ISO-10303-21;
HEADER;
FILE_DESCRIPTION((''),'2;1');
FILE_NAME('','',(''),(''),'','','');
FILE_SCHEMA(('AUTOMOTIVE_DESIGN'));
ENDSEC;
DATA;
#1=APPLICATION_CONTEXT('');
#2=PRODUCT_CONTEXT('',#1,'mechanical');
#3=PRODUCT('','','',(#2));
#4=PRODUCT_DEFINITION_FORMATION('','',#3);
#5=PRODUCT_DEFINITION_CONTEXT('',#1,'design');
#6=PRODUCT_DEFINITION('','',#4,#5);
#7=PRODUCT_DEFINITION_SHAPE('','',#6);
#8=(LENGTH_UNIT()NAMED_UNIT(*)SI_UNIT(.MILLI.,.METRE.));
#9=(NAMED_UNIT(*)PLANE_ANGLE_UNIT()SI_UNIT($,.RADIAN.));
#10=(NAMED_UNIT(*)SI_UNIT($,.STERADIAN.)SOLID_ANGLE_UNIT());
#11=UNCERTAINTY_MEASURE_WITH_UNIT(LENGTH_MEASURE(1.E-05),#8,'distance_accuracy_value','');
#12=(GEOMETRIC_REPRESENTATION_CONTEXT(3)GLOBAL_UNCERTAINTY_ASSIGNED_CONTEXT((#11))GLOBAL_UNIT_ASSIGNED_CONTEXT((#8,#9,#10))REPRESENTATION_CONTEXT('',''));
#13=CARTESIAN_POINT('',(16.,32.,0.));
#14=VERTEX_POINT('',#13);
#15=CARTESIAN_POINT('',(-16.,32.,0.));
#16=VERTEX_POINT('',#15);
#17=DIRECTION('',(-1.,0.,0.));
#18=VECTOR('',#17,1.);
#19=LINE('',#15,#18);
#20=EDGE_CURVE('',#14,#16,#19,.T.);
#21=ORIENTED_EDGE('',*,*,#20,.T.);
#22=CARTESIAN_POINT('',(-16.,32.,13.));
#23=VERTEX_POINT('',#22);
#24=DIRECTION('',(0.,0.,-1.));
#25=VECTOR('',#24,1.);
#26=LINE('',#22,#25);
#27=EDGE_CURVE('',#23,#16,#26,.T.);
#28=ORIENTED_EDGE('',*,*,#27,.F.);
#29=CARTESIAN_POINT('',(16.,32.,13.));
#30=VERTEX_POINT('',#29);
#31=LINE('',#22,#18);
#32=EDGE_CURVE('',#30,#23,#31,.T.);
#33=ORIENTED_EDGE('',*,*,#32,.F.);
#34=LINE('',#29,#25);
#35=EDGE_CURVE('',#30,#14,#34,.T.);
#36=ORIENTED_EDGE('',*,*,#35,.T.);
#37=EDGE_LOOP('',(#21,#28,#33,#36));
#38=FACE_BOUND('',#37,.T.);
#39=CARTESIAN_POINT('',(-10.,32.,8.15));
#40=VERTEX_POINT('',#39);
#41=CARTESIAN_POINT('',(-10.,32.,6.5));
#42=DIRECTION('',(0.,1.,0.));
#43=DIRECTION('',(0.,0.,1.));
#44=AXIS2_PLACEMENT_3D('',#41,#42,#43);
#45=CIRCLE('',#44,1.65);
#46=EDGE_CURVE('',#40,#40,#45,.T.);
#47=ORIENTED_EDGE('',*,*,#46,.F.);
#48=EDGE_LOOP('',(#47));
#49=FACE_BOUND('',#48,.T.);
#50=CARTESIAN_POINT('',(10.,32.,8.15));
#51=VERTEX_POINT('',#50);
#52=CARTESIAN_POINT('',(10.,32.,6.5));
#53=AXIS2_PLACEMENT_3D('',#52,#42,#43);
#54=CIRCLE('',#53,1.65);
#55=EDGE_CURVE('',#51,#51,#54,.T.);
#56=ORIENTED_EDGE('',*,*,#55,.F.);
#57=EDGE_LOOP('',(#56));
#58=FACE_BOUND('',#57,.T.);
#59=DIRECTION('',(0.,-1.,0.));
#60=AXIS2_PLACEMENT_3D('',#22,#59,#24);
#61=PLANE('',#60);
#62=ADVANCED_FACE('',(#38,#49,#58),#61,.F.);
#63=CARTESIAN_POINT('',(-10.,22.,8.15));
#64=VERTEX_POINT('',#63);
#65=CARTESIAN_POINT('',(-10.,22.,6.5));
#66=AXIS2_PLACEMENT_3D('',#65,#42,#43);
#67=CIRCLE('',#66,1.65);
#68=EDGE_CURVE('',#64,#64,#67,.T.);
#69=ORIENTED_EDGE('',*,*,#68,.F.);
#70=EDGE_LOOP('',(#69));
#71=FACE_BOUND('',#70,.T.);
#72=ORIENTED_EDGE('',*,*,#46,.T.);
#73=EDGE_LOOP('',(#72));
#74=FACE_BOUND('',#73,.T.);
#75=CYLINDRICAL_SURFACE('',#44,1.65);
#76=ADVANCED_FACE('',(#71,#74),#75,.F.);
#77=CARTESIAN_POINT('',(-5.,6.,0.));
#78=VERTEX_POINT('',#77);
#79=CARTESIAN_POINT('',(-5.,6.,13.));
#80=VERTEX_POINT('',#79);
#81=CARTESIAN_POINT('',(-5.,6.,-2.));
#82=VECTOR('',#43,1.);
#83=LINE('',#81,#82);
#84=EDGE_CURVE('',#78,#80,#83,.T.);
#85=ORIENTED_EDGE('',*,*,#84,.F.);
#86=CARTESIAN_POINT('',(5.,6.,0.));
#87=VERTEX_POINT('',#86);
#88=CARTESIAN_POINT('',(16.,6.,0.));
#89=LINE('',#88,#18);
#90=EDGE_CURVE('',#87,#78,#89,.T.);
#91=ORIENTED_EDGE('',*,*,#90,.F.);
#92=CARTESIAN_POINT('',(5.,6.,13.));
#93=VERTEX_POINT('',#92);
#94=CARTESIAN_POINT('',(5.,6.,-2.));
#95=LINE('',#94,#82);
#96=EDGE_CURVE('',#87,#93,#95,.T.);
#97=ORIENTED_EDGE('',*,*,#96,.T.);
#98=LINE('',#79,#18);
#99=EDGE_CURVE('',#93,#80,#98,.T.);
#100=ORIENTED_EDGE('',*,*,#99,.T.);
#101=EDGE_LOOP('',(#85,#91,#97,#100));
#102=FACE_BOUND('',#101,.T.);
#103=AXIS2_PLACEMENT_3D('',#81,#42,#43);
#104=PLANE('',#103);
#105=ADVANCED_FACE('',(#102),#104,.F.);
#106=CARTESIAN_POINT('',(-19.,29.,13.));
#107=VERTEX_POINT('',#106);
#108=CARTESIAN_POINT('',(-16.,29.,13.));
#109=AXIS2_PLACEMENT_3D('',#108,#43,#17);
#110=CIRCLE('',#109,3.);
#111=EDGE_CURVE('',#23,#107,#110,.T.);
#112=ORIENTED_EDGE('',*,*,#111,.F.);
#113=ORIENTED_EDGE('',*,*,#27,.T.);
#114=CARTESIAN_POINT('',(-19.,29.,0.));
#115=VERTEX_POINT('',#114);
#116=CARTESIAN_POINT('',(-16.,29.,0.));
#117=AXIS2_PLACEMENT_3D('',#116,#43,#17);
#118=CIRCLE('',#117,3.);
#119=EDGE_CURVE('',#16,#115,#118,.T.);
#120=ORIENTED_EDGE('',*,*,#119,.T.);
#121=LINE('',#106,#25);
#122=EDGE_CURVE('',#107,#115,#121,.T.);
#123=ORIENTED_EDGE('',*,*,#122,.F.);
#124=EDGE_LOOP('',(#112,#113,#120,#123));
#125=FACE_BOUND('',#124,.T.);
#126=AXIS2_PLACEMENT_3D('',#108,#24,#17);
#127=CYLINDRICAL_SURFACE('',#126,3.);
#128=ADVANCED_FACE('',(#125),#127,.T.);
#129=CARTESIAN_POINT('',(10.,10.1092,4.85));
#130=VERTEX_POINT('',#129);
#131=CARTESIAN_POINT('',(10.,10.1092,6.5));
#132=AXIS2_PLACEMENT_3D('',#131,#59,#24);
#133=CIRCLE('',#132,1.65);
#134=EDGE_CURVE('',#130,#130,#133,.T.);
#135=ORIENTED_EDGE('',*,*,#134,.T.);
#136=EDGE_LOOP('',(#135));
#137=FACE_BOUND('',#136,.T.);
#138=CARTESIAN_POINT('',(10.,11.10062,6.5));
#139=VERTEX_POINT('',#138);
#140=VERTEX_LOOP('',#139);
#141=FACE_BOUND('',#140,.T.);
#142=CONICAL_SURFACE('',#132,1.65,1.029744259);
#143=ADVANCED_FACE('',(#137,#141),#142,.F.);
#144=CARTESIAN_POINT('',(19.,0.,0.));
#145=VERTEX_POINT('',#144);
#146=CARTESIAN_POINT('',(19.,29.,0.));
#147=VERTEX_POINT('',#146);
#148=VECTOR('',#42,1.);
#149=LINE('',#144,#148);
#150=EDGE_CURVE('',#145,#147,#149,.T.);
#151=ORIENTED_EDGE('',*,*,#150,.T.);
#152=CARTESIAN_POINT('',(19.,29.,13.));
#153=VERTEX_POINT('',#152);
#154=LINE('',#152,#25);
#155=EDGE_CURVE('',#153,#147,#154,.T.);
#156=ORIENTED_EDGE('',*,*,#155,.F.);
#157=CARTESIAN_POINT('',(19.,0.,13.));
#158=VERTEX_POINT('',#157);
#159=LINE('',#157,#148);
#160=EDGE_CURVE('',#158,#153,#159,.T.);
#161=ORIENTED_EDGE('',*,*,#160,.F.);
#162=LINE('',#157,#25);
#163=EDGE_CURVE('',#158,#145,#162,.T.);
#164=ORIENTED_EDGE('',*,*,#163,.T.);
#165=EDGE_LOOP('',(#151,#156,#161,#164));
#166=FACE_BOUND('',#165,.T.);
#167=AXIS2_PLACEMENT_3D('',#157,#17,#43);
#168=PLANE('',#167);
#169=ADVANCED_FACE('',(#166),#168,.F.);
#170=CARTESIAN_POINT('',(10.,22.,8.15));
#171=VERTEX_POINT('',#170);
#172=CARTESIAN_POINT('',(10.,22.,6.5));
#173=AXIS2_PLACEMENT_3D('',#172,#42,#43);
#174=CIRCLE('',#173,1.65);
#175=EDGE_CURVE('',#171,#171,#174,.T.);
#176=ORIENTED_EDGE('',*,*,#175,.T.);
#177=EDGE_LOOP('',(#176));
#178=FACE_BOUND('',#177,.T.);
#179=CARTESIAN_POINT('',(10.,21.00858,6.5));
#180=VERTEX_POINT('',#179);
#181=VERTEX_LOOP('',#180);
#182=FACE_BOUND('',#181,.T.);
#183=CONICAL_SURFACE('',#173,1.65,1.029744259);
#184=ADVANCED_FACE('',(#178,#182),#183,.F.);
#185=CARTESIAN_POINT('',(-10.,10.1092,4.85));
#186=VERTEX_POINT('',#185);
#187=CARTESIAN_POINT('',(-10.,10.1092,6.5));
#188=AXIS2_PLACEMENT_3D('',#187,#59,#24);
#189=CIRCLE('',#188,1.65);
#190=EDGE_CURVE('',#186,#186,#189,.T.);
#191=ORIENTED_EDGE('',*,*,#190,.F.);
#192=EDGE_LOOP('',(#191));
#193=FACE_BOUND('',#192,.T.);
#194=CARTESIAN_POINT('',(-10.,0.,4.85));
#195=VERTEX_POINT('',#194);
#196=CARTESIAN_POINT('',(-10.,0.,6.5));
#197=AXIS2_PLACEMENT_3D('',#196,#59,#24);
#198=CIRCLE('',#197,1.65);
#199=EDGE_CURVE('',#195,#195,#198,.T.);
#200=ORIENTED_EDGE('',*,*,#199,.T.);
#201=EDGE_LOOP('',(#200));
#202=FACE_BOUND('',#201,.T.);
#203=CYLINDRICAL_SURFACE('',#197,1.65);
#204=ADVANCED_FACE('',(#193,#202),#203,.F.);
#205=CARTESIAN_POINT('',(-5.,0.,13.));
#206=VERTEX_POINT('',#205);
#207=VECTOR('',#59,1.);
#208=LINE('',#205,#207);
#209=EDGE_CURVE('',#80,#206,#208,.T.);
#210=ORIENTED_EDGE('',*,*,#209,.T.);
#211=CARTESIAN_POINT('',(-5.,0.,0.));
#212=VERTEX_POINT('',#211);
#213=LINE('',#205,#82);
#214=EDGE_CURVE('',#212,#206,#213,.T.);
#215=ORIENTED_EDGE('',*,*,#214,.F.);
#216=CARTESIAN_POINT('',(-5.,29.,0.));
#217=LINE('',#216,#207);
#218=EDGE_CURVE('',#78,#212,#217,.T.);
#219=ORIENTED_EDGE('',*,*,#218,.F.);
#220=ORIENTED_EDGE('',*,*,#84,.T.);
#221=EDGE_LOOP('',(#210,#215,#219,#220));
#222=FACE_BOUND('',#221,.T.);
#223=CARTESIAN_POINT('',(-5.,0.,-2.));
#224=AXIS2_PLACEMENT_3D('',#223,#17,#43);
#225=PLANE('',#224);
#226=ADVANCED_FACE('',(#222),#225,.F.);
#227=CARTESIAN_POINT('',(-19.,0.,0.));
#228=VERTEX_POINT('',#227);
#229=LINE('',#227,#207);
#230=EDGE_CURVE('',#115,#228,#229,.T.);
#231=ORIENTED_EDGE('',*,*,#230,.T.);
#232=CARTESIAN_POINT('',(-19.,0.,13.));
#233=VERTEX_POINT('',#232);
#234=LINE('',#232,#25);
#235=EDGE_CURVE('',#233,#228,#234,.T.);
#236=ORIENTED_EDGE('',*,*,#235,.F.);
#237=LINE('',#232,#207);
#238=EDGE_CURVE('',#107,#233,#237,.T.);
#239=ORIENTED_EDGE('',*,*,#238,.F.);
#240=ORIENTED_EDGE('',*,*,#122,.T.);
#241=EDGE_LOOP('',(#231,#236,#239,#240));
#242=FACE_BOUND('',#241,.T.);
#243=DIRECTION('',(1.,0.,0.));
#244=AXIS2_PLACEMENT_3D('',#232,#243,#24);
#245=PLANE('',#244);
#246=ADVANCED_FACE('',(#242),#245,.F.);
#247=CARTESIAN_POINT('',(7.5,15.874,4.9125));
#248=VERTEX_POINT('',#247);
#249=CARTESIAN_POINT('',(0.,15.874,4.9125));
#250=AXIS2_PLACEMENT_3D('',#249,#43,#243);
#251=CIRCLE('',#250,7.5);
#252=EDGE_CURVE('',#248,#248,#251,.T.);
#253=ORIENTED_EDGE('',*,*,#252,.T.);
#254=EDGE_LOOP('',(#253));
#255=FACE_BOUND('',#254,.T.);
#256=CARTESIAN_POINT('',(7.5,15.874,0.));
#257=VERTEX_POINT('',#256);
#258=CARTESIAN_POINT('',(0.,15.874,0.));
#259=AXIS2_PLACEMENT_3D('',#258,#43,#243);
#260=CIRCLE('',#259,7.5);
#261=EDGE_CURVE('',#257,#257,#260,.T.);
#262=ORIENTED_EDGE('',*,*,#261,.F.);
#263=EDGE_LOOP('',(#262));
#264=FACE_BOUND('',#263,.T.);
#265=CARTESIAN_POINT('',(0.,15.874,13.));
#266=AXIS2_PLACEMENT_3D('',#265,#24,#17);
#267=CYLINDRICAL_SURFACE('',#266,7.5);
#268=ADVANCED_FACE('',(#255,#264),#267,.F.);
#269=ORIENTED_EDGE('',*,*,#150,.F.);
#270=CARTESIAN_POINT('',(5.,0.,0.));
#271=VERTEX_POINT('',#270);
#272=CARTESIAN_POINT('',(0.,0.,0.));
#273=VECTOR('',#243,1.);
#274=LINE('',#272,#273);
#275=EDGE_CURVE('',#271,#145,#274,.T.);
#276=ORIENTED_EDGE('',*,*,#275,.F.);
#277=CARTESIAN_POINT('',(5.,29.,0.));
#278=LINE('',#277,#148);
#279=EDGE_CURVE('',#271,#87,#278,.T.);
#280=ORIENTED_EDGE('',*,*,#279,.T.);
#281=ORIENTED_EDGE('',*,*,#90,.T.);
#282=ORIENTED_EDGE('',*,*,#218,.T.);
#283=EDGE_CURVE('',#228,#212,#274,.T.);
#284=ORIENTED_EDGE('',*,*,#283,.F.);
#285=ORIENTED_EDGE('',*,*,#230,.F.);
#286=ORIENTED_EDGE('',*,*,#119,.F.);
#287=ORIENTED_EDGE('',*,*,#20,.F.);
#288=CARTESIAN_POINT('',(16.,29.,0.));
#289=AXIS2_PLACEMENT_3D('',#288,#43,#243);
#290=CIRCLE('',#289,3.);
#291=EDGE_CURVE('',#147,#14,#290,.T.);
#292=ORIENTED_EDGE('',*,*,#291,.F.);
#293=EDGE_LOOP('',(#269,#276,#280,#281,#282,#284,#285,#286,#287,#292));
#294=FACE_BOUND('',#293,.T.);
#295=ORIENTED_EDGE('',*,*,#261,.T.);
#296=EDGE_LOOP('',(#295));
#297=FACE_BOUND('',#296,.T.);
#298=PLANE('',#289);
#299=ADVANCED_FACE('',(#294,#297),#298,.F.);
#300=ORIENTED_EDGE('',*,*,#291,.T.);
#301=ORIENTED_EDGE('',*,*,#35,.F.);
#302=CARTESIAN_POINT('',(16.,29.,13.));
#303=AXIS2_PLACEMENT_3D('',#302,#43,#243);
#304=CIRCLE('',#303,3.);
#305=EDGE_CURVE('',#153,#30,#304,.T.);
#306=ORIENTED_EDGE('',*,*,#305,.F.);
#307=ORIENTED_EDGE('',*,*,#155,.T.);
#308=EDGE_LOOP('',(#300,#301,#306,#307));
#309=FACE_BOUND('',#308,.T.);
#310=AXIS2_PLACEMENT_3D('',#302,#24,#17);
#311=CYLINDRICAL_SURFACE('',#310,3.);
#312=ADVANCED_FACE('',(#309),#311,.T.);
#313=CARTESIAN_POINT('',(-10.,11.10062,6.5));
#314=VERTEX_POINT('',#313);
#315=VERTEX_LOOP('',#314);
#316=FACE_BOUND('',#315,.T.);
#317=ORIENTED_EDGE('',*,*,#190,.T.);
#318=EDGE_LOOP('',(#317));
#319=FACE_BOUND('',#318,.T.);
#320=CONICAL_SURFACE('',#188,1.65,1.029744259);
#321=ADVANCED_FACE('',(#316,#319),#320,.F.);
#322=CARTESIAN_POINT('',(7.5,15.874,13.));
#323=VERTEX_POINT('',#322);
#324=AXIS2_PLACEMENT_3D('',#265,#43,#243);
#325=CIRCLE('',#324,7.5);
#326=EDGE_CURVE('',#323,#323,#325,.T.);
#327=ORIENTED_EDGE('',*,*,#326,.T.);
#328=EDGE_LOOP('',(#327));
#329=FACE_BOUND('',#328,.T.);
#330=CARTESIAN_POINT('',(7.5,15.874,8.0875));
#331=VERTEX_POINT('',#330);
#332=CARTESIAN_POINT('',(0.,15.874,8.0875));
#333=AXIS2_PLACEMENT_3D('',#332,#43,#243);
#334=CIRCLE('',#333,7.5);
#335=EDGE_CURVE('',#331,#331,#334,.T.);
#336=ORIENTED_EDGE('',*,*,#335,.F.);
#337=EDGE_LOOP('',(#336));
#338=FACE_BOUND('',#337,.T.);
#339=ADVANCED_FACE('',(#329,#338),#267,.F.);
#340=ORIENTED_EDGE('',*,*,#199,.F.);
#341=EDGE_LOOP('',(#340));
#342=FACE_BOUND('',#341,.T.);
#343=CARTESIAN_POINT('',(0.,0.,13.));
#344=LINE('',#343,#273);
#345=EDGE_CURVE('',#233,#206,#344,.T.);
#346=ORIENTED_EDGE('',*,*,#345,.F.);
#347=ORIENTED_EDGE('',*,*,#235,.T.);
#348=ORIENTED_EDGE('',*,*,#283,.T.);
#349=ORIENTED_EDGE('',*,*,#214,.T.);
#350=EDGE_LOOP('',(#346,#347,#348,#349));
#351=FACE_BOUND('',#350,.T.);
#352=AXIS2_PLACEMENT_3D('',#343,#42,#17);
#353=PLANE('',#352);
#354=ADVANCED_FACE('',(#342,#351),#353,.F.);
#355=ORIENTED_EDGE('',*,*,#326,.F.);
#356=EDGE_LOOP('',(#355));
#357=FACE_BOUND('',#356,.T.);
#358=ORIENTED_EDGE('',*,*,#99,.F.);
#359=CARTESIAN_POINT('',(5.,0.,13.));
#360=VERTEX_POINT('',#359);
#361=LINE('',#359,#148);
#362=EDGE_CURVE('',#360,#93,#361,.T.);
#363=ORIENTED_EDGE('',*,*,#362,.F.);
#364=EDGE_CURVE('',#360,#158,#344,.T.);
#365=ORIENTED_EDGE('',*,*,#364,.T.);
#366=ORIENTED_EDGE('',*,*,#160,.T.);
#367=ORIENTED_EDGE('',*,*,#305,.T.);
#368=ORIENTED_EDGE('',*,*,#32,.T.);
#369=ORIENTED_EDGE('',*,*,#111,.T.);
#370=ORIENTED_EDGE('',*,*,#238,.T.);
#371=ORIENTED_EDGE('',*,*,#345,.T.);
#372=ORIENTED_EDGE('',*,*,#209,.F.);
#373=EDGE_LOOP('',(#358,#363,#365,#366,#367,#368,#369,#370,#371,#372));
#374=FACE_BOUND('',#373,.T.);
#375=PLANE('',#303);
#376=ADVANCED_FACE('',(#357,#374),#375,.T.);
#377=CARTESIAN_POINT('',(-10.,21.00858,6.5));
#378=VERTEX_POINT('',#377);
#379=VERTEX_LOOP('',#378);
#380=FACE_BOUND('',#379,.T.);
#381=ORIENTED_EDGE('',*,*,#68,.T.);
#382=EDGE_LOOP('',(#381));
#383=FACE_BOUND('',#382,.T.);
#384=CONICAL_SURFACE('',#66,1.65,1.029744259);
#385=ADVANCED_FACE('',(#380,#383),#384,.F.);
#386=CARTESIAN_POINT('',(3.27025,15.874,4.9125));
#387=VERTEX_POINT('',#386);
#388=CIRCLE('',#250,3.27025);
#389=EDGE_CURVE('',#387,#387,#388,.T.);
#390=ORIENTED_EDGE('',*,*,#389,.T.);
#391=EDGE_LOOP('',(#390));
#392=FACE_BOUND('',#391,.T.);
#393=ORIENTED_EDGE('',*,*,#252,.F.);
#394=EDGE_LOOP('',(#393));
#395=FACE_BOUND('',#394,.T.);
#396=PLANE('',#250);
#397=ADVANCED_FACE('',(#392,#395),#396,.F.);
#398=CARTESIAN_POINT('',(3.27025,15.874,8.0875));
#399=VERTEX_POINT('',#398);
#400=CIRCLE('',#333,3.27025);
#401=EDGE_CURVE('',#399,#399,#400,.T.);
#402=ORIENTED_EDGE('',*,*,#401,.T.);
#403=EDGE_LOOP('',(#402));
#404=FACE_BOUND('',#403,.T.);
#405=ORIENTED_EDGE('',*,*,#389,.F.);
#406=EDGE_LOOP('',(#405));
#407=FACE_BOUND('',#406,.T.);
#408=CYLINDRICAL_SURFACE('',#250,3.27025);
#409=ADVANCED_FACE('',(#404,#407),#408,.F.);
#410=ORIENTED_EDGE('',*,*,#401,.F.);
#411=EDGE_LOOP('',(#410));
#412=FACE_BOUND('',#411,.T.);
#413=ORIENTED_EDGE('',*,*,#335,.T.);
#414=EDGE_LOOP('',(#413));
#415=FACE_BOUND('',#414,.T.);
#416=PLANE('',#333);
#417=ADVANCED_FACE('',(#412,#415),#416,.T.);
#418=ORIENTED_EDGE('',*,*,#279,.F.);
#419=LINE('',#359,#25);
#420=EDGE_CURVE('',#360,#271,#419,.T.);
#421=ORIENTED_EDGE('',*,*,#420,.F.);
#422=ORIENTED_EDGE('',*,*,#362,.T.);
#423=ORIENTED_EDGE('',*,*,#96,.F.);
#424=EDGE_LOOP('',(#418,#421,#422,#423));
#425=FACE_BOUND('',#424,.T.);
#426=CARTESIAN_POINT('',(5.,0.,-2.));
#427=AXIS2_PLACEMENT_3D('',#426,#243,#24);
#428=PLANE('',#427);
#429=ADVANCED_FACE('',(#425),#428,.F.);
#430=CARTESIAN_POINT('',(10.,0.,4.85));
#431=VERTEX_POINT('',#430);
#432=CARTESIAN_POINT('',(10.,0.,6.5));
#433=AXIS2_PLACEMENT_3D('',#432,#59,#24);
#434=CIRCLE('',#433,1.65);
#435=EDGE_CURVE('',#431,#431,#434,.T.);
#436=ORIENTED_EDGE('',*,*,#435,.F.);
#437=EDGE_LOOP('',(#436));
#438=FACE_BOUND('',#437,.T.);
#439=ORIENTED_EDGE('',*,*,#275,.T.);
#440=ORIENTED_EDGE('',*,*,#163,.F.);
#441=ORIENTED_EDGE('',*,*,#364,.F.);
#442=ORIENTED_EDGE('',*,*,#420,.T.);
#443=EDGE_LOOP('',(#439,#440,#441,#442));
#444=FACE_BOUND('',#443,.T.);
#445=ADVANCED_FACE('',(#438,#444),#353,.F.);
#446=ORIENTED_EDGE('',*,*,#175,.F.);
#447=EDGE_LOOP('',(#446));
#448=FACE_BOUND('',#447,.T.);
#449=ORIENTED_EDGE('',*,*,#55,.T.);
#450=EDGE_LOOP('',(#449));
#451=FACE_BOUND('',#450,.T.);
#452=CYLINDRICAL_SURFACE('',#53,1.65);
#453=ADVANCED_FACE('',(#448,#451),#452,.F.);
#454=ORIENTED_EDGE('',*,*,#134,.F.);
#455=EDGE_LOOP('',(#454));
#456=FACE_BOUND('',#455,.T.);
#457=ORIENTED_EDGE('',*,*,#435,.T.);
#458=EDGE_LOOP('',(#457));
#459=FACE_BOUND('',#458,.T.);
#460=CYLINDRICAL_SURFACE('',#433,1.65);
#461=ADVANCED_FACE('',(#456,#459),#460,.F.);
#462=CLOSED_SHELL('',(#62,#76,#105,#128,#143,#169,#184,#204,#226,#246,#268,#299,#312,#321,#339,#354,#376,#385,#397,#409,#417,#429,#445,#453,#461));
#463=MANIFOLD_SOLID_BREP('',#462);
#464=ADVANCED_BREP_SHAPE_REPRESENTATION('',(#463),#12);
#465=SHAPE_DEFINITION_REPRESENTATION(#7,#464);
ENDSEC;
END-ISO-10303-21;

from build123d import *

# Parameters (mm, degrees)
SKETCH1_R                 = 7.5
BOSS_EXTRUDE1_DEPTH       = 13
SKETCH3_R                 = 8.7376
SKETCH3_R_2               = 3.27025
BOSS_EXTRUDE2_DEPTH       = 1.5875
BOSS_EXTRUDE2_DEPTH_BACK  = 1.5875
M4X0_7_TAPPED_HOLE1_D     = 3.3
M4X0_7_TAPPED_HOLE1_DEPTH = 10.1092
M4X0_7_TAPPED_HOLE1_TIP   = 0.991420021
M4X0_7_TAPPED_HOLE2_D     = 3.3
M4X0_7_TAPPED_HOLE2_DEPTH = 10
M4X0_7_TAPPED_HOLE2_TIP   = 0.991420021
SKETCH11_W                = 10
SKETCH11_H                = 6
CUT_EXTRUDE1_DEPTH        = 15


with BuildPart() as part:
    # Sketch1 → Boss-Extrude1 (new body)
    with BuildSketch(Plane.XY):
        with BuildLine():
            Line((-16, 32), (16, 32))
            ThreePointArc((16, 32), (18.121320344, 31.121320344), (19, 29))
            Line((19, 29), (19, 0))
            Line((19, 0), (0, 0))
            Line((0, 0), (-19, 0))
            Line((-19, 0), (-19, 29))
            ThreePointArc((-19, 29), (-18.121320344, 31.121320344), (-16, 32))
        make_face()
        with Locations((0, 15.874)):
            Circle(SKETCH1_R, mode=Mode.SUBTRACT)
    extrude(amount=BOSS_EXTRUDE1_DEPTH)

    # Sketch3 → Boss-Extrude2 (add, two sides)
    with BuildSketch(Plane.XY.offset(6.5)) as boss_extrude2_sk:
        with Locations((0, 15.874)):
            Circle(SKETCH3_R)
        with Locations((0, 15.874)):
            Circle(SKETCH3_R_2, mode=Mode.SUBTRACT)
    extrude(amount=BOSS_EXTRUDE2_DEPTH)
    extrude(boss_extrude2_sk.sketch, amount=-BOSS_EXTRUDE2_DEPTH_BACK)

    # M4x0.7 Tapped Hole1
    with Locations(Plane(origin=(0, 0, 0), x_dir=(-1, 0, 0), z_dir=(0, -1, 0))):
        with Locations((10, -6.5), (-10, -6.5)):
            Hole(M4X0_7_TAPPED_HOLE1_D / 2, depth=M4X0_7_TAPPED_HOLE1_DEPTH)
            with Locations((0, 0, -(M4X0_7_TAPPED_HOLE1_DEPTH + M4X0_7_TAPPED_HOLE1_TIP / 2))):  # 118° drill point
                Cone(0, M4X0_7_TAPPED_HOLE1_D / 2, M4X0_7_TAPPED_HOLE1_TIP, mode=Mode.SUBTRACT)

    # M4x0.7 Tapped Hole2
    with Locations(Plane(origin=(0, 32, 0), x_dir=(1, 0, 0), z_dir=(0, 1, 0))):
        with Locations((-10, -6.5), (10, -6.5)):
            Hole(M4X0_7_TAPPED_HOLE2_D / 2, depth=M4X0_7_TAPPED_HOLE2_DEPTH)
            with Locations((0, 0, -(M4X0_7_TAPPED_HOLE2_DEPTH + M4X0_7_TAPPED_HOLE2_TIP / 2))):  # 118° drill point
                Cone(0, M4X0_7_TAPPED_HOLE2_D / 2, M4X0_7_TAPPED_HOLE2_TIP, mode=Mode.SUBTRACT)

    # Sketch11 → Cut-Extrude1 (cut)
    with BuildSketch(Plane.XY.offset(13)):
        with Locations((0, 3)):
            Rectangle(SKETCH11_W, SKETCH11_H)
    extrude(amount=-CUT_EXTRUDE1_DEPTH, mode=Mode.SUBTRACT)


solid = part.part
